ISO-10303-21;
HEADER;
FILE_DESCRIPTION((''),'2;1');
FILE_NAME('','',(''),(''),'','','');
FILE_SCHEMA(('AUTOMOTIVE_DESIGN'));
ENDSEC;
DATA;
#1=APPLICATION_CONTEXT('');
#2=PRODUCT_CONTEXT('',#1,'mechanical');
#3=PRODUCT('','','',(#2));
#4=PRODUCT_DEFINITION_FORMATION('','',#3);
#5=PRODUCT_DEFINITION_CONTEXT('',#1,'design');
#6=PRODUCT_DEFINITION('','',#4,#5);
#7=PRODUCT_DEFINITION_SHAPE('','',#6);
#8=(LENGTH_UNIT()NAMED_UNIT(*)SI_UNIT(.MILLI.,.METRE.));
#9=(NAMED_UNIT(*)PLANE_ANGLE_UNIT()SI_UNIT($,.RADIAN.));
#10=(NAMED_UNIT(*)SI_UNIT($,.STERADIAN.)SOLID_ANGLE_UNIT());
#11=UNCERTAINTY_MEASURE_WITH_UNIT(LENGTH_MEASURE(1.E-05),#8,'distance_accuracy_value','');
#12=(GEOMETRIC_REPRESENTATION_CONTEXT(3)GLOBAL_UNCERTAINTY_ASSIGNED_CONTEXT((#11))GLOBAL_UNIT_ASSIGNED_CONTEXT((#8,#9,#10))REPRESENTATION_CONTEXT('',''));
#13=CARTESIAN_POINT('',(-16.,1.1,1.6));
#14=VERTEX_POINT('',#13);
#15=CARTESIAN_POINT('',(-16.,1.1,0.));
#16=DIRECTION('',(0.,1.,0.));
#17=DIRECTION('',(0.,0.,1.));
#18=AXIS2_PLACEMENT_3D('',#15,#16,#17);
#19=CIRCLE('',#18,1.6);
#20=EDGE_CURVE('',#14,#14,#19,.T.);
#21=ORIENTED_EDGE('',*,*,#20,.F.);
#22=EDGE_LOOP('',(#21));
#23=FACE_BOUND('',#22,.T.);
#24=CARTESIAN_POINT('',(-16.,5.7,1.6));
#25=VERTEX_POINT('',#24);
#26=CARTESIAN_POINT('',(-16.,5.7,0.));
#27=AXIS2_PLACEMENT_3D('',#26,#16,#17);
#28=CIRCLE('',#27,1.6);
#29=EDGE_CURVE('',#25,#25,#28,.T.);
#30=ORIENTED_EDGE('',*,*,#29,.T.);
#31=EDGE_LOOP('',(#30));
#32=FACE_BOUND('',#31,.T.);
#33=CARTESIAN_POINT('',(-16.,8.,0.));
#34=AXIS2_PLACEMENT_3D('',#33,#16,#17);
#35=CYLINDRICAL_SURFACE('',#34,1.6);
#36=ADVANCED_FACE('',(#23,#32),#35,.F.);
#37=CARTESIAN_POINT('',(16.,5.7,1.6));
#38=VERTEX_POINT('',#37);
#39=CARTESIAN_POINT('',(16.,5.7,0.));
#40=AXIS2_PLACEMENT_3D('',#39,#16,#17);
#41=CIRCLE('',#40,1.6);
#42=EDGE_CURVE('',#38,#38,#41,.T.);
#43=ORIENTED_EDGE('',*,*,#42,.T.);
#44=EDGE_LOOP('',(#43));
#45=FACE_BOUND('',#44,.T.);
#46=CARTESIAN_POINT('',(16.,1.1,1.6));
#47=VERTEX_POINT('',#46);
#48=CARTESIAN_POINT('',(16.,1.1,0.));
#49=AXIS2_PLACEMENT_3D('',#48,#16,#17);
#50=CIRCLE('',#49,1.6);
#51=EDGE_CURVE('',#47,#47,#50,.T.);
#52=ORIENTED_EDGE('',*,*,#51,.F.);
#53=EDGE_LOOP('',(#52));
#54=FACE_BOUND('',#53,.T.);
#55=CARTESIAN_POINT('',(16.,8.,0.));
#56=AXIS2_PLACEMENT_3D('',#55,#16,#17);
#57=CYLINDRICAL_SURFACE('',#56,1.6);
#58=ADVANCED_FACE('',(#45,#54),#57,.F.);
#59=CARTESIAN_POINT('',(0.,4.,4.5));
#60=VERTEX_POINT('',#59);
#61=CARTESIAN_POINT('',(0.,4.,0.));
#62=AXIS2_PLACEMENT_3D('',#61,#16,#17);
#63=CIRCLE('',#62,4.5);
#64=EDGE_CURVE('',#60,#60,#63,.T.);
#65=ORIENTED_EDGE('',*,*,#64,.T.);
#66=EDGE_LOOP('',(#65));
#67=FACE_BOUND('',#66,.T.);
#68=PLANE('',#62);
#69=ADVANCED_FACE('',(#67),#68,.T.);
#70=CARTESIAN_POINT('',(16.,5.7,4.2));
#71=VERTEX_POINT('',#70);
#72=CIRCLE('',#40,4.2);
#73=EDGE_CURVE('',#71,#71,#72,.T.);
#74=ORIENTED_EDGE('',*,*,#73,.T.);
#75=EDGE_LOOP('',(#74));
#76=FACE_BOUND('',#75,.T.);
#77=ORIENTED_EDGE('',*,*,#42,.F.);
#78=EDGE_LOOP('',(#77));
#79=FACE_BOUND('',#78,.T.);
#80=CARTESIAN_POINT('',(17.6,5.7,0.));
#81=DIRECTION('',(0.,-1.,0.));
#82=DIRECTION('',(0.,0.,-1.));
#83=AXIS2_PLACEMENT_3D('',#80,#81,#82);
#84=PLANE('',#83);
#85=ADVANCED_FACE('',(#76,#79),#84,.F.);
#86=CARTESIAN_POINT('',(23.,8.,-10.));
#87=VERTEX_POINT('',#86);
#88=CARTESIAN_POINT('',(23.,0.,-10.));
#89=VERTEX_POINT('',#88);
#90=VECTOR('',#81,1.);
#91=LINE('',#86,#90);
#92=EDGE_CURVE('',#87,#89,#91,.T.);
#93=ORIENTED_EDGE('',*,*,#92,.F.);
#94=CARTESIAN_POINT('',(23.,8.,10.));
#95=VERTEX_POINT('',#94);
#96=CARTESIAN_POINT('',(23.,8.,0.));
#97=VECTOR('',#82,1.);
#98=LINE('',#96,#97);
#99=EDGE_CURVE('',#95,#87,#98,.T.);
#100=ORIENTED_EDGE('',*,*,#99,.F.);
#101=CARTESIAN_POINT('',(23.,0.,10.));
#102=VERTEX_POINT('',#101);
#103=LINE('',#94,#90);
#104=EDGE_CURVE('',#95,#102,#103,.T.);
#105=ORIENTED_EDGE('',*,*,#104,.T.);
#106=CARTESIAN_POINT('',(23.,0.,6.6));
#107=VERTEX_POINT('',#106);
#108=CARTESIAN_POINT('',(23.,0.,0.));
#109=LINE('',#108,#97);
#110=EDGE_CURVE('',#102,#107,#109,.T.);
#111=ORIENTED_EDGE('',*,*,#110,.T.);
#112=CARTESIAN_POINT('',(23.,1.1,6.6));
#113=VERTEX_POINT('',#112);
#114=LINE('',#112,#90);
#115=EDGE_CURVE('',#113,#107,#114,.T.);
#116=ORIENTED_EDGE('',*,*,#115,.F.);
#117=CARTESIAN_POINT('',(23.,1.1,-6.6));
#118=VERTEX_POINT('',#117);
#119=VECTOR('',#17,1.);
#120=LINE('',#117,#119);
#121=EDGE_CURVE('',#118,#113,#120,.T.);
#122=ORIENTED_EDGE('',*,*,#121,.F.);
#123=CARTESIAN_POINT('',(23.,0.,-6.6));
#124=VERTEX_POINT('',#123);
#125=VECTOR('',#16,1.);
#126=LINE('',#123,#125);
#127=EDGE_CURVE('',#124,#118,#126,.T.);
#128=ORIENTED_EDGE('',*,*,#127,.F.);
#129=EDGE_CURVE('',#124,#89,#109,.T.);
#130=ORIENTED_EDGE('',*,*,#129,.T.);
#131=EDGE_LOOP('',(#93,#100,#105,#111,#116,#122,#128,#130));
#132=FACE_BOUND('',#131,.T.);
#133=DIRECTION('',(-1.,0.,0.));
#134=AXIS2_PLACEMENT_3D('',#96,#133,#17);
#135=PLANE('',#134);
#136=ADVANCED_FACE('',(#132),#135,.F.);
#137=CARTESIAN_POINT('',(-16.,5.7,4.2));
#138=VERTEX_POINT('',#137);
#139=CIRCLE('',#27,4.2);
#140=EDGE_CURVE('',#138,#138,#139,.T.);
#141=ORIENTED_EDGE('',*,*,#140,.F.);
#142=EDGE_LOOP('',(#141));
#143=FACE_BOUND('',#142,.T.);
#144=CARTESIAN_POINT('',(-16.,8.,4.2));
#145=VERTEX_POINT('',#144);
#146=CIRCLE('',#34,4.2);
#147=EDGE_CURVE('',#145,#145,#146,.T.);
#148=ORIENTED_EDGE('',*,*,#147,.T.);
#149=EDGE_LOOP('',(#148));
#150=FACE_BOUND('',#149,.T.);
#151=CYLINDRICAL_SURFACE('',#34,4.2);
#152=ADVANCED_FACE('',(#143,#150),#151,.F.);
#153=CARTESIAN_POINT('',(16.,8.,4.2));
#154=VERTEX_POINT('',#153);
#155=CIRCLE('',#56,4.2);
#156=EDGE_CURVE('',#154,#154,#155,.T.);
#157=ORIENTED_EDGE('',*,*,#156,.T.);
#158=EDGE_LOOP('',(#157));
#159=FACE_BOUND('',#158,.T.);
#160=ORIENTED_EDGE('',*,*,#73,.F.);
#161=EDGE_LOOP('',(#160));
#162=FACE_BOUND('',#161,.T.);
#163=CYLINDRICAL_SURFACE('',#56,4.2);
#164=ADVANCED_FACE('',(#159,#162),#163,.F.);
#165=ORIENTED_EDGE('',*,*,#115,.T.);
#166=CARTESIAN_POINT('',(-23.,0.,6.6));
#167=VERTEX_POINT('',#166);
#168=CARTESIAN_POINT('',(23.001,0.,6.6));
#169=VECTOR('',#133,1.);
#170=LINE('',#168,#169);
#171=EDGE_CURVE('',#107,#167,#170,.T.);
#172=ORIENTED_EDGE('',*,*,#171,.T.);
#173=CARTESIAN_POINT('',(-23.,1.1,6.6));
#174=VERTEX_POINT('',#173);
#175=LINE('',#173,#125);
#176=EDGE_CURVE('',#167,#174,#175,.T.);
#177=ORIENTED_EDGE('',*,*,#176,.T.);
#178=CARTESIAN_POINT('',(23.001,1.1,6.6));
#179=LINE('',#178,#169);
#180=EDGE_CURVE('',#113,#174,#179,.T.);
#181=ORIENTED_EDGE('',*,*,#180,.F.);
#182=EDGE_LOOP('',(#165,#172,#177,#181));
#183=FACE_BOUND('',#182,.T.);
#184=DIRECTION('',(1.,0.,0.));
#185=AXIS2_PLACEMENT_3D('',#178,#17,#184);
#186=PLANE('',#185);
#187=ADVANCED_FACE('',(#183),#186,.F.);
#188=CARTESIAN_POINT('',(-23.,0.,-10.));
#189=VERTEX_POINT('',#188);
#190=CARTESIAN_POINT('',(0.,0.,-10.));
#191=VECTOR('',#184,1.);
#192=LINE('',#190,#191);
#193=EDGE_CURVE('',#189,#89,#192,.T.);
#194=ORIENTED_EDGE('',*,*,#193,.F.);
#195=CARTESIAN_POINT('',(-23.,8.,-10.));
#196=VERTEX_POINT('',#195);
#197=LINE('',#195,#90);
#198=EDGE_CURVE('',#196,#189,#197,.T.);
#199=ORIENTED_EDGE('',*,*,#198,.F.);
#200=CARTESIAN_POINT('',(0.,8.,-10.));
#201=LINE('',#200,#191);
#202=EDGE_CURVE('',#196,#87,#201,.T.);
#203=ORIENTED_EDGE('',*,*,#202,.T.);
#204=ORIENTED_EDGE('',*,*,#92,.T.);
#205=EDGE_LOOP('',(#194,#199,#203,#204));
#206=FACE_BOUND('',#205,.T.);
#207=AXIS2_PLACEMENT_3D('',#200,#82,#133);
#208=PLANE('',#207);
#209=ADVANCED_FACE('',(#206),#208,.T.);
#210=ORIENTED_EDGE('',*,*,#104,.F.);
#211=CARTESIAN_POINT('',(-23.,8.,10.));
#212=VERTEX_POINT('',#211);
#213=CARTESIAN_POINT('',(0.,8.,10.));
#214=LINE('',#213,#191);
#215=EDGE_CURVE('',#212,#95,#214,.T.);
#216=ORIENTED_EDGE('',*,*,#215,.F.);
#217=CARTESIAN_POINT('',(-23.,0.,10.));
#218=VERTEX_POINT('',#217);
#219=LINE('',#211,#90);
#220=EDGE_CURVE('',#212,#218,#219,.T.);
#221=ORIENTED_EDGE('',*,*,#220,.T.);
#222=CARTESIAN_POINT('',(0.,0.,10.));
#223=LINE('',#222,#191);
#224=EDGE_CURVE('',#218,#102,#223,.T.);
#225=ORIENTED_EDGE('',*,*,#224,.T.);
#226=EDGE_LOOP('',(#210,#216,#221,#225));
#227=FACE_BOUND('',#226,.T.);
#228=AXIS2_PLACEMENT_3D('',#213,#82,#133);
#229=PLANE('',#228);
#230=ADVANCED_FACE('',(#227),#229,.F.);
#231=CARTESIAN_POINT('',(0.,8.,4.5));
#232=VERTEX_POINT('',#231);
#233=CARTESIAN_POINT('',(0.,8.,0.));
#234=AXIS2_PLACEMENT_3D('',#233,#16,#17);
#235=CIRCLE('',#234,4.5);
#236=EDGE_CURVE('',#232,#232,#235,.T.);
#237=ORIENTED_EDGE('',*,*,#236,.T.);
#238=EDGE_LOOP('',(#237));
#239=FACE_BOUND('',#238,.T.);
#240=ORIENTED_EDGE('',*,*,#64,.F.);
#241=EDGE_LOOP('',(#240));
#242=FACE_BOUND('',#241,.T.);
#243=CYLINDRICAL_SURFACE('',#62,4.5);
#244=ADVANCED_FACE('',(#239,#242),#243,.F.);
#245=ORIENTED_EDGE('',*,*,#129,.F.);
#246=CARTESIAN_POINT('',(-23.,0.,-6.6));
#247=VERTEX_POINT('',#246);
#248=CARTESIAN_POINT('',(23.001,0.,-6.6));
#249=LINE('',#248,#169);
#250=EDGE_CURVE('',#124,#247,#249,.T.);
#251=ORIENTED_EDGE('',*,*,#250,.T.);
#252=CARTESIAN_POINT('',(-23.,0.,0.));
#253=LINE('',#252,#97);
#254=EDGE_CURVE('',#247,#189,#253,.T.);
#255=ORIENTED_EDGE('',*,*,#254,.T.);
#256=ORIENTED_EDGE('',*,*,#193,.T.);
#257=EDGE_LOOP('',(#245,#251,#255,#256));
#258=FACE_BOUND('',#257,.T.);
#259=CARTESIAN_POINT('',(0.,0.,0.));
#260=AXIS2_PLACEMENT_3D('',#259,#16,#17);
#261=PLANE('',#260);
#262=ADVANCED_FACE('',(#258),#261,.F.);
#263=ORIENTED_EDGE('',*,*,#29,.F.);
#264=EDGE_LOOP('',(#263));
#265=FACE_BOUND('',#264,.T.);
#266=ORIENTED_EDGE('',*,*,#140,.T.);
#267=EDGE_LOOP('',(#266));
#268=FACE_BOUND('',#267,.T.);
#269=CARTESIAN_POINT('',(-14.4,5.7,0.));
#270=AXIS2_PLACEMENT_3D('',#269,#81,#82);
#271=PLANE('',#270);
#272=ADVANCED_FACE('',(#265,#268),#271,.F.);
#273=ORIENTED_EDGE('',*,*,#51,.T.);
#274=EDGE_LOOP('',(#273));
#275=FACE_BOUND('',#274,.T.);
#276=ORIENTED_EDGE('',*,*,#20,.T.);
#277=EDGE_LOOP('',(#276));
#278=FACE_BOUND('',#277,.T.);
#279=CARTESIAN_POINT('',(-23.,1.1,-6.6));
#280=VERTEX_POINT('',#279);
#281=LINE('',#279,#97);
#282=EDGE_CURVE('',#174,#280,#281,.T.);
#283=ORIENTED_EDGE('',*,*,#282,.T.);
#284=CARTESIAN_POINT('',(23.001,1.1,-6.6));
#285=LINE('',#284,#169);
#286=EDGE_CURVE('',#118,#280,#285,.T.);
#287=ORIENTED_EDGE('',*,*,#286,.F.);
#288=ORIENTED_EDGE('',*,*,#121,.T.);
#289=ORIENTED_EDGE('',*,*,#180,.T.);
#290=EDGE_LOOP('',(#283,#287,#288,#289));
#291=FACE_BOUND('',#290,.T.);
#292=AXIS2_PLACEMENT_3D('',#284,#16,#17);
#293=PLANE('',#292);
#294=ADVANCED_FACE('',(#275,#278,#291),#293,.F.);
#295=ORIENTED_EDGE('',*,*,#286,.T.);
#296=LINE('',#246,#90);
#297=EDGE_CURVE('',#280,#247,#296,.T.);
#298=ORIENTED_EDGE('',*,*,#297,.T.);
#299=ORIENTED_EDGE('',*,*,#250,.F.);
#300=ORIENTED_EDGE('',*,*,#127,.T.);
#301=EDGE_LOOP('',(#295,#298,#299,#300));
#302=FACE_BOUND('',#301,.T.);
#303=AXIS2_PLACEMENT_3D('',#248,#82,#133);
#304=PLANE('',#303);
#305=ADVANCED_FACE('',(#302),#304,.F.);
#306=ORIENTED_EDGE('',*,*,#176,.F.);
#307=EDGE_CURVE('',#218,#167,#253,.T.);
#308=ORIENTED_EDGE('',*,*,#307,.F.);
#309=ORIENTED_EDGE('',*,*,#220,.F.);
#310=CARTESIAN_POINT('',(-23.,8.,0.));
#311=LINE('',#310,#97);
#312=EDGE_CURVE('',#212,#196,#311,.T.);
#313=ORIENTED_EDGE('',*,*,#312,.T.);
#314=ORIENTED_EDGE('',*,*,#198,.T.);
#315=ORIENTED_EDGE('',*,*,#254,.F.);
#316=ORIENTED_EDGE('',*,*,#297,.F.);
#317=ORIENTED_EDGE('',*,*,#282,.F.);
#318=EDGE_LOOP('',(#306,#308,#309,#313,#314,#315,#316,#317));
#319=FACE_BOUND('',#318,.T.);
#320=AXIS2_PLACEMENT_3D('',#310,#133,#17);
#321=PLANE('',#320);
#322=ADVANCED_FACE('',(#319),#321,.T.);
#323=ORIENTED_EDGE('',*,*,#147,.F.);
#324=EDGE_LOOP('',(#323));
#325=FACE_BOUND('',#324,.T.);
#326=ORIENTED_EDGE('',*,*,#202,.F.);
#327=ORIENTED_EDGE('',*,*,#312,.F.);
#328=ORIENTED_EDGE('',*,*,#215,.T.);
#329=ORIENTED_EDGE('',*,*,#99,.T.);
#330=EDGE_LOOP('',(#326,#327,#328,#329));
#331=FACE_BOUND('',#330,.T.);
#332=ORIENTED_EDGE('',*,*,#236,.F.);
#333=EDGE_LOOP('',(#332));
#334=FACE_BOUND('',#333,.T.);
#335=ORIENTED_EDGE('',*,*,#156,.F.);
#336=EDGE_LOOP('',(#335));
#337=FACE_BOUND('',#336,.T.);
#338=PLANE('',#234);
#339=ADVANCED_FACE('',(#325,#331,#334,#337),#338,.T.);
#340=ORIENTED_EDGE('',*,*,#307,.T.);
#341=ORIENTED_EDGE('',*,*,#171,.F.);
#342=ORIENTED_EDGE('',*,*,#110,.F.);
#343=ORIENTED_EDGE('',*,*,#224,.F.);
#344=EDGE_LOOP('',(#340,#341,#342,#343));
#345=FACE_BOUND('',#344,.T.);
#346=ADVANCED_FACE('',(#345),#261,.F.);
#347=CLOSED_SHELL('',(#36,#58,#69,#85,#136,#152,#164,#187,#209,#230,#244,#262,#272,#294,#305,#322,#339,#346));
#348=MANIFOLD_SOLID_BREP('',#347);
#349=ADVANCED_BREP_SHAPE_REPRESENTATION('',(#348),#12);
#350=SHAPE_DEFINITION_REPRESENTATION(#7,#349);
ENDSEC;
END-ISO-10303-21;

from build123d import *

# Parameters (mm, degrees)
SKETCH1_W                                        = 46
SKETCH1_H                                        = 20
BOSS_EXTRUDE1_DEPTH                              = 8
SKETCH3_R                                        = 4.5
CUT_EXTRUDE2_DEPTH                               = 4
CUT_EXTRUDE3_REACH                               = 49.749
CBORE_FOR_M3_HEX_HEAD_MACHINE_SCREW1_D           = 3.2
CBORE_FOR_M3_HEX_HEAD_MACHINE_SCREW1_CBORE_D     = 8.4
CBORE_FOR_M3_HEX_HEAD_MACHINE_SCREW1_CBORE_DEPTH = 2.3


with BuildPart() as part:
    # Sketch1 → Boss-Extrude1 (new body)
    with BuildSketch(Plane(origin=(0, 0, 0), x_dir=(1, 0, 0), z_dir=(0, 1, 0))):
        Rectangle(SKETCH1_W, SKETCH1_H)
    extrude(amount=BOSS_EXTRUDE1_DEPTH)

    # Sketch3 → Cut-Extrude2 (cut)
    with BuildSketch(Plane(origin=(0, 8, 0), x_dir=(1, 0, 0), z_dir=(0, 1, 0))):
        with Locations(Location((0, 0, 0), (0, 0, 270))):
            Circle(SKETCH3_R)
    extrude(amount=-CUT_EXTRUDE2_DEPTH, mode=Mode.SUBTRACT)

    # Sketch8 → Cut-Extrude3 (cut, up to next)
    with BuildSketch(Plane.ZY.offset(23), mode=Mode.PRIVATE) as cut_extrude3_sk1:
        Polygon((0, 0), (-6.6, 0), (-6.6, 1.1), (6.6, 1.1), (6.6, 0), align=None)
    cut_extrude3_tool1 = extrude(cut_extrude3_sk1.sketch, amount=-CUT_EXTRUDE3_REACH, mode=Mode.PRIVATE) & part.part
    add(cut_extrude3_tool1.solids().sort_by_distance((-23, 0.55, 0))[0], mode=Mode.SUBTRACT)

    # CBORE for M3 Hex Head Machine Screw1 (through all)
    with Locations(Plane(origin=(0, 8, 0), x_dir=(1, 0, 0), z_dir=(0, 1, 0))):
        with Locations((-16, 0), (16, 0)):
            CounterBoreHole(CBORE_FOR_M3_HEX_HEAD_MACHINE_SCREW1_D / 2, CBORE_FOR_M3_HEX_HEAD_MACHINE_SCREW1_CBORE_D / 2, CBORE_FOR_M3_HEX_HEAD_MACHINE_SCREW1_CBORE_DEPTH)


solid = part.part
